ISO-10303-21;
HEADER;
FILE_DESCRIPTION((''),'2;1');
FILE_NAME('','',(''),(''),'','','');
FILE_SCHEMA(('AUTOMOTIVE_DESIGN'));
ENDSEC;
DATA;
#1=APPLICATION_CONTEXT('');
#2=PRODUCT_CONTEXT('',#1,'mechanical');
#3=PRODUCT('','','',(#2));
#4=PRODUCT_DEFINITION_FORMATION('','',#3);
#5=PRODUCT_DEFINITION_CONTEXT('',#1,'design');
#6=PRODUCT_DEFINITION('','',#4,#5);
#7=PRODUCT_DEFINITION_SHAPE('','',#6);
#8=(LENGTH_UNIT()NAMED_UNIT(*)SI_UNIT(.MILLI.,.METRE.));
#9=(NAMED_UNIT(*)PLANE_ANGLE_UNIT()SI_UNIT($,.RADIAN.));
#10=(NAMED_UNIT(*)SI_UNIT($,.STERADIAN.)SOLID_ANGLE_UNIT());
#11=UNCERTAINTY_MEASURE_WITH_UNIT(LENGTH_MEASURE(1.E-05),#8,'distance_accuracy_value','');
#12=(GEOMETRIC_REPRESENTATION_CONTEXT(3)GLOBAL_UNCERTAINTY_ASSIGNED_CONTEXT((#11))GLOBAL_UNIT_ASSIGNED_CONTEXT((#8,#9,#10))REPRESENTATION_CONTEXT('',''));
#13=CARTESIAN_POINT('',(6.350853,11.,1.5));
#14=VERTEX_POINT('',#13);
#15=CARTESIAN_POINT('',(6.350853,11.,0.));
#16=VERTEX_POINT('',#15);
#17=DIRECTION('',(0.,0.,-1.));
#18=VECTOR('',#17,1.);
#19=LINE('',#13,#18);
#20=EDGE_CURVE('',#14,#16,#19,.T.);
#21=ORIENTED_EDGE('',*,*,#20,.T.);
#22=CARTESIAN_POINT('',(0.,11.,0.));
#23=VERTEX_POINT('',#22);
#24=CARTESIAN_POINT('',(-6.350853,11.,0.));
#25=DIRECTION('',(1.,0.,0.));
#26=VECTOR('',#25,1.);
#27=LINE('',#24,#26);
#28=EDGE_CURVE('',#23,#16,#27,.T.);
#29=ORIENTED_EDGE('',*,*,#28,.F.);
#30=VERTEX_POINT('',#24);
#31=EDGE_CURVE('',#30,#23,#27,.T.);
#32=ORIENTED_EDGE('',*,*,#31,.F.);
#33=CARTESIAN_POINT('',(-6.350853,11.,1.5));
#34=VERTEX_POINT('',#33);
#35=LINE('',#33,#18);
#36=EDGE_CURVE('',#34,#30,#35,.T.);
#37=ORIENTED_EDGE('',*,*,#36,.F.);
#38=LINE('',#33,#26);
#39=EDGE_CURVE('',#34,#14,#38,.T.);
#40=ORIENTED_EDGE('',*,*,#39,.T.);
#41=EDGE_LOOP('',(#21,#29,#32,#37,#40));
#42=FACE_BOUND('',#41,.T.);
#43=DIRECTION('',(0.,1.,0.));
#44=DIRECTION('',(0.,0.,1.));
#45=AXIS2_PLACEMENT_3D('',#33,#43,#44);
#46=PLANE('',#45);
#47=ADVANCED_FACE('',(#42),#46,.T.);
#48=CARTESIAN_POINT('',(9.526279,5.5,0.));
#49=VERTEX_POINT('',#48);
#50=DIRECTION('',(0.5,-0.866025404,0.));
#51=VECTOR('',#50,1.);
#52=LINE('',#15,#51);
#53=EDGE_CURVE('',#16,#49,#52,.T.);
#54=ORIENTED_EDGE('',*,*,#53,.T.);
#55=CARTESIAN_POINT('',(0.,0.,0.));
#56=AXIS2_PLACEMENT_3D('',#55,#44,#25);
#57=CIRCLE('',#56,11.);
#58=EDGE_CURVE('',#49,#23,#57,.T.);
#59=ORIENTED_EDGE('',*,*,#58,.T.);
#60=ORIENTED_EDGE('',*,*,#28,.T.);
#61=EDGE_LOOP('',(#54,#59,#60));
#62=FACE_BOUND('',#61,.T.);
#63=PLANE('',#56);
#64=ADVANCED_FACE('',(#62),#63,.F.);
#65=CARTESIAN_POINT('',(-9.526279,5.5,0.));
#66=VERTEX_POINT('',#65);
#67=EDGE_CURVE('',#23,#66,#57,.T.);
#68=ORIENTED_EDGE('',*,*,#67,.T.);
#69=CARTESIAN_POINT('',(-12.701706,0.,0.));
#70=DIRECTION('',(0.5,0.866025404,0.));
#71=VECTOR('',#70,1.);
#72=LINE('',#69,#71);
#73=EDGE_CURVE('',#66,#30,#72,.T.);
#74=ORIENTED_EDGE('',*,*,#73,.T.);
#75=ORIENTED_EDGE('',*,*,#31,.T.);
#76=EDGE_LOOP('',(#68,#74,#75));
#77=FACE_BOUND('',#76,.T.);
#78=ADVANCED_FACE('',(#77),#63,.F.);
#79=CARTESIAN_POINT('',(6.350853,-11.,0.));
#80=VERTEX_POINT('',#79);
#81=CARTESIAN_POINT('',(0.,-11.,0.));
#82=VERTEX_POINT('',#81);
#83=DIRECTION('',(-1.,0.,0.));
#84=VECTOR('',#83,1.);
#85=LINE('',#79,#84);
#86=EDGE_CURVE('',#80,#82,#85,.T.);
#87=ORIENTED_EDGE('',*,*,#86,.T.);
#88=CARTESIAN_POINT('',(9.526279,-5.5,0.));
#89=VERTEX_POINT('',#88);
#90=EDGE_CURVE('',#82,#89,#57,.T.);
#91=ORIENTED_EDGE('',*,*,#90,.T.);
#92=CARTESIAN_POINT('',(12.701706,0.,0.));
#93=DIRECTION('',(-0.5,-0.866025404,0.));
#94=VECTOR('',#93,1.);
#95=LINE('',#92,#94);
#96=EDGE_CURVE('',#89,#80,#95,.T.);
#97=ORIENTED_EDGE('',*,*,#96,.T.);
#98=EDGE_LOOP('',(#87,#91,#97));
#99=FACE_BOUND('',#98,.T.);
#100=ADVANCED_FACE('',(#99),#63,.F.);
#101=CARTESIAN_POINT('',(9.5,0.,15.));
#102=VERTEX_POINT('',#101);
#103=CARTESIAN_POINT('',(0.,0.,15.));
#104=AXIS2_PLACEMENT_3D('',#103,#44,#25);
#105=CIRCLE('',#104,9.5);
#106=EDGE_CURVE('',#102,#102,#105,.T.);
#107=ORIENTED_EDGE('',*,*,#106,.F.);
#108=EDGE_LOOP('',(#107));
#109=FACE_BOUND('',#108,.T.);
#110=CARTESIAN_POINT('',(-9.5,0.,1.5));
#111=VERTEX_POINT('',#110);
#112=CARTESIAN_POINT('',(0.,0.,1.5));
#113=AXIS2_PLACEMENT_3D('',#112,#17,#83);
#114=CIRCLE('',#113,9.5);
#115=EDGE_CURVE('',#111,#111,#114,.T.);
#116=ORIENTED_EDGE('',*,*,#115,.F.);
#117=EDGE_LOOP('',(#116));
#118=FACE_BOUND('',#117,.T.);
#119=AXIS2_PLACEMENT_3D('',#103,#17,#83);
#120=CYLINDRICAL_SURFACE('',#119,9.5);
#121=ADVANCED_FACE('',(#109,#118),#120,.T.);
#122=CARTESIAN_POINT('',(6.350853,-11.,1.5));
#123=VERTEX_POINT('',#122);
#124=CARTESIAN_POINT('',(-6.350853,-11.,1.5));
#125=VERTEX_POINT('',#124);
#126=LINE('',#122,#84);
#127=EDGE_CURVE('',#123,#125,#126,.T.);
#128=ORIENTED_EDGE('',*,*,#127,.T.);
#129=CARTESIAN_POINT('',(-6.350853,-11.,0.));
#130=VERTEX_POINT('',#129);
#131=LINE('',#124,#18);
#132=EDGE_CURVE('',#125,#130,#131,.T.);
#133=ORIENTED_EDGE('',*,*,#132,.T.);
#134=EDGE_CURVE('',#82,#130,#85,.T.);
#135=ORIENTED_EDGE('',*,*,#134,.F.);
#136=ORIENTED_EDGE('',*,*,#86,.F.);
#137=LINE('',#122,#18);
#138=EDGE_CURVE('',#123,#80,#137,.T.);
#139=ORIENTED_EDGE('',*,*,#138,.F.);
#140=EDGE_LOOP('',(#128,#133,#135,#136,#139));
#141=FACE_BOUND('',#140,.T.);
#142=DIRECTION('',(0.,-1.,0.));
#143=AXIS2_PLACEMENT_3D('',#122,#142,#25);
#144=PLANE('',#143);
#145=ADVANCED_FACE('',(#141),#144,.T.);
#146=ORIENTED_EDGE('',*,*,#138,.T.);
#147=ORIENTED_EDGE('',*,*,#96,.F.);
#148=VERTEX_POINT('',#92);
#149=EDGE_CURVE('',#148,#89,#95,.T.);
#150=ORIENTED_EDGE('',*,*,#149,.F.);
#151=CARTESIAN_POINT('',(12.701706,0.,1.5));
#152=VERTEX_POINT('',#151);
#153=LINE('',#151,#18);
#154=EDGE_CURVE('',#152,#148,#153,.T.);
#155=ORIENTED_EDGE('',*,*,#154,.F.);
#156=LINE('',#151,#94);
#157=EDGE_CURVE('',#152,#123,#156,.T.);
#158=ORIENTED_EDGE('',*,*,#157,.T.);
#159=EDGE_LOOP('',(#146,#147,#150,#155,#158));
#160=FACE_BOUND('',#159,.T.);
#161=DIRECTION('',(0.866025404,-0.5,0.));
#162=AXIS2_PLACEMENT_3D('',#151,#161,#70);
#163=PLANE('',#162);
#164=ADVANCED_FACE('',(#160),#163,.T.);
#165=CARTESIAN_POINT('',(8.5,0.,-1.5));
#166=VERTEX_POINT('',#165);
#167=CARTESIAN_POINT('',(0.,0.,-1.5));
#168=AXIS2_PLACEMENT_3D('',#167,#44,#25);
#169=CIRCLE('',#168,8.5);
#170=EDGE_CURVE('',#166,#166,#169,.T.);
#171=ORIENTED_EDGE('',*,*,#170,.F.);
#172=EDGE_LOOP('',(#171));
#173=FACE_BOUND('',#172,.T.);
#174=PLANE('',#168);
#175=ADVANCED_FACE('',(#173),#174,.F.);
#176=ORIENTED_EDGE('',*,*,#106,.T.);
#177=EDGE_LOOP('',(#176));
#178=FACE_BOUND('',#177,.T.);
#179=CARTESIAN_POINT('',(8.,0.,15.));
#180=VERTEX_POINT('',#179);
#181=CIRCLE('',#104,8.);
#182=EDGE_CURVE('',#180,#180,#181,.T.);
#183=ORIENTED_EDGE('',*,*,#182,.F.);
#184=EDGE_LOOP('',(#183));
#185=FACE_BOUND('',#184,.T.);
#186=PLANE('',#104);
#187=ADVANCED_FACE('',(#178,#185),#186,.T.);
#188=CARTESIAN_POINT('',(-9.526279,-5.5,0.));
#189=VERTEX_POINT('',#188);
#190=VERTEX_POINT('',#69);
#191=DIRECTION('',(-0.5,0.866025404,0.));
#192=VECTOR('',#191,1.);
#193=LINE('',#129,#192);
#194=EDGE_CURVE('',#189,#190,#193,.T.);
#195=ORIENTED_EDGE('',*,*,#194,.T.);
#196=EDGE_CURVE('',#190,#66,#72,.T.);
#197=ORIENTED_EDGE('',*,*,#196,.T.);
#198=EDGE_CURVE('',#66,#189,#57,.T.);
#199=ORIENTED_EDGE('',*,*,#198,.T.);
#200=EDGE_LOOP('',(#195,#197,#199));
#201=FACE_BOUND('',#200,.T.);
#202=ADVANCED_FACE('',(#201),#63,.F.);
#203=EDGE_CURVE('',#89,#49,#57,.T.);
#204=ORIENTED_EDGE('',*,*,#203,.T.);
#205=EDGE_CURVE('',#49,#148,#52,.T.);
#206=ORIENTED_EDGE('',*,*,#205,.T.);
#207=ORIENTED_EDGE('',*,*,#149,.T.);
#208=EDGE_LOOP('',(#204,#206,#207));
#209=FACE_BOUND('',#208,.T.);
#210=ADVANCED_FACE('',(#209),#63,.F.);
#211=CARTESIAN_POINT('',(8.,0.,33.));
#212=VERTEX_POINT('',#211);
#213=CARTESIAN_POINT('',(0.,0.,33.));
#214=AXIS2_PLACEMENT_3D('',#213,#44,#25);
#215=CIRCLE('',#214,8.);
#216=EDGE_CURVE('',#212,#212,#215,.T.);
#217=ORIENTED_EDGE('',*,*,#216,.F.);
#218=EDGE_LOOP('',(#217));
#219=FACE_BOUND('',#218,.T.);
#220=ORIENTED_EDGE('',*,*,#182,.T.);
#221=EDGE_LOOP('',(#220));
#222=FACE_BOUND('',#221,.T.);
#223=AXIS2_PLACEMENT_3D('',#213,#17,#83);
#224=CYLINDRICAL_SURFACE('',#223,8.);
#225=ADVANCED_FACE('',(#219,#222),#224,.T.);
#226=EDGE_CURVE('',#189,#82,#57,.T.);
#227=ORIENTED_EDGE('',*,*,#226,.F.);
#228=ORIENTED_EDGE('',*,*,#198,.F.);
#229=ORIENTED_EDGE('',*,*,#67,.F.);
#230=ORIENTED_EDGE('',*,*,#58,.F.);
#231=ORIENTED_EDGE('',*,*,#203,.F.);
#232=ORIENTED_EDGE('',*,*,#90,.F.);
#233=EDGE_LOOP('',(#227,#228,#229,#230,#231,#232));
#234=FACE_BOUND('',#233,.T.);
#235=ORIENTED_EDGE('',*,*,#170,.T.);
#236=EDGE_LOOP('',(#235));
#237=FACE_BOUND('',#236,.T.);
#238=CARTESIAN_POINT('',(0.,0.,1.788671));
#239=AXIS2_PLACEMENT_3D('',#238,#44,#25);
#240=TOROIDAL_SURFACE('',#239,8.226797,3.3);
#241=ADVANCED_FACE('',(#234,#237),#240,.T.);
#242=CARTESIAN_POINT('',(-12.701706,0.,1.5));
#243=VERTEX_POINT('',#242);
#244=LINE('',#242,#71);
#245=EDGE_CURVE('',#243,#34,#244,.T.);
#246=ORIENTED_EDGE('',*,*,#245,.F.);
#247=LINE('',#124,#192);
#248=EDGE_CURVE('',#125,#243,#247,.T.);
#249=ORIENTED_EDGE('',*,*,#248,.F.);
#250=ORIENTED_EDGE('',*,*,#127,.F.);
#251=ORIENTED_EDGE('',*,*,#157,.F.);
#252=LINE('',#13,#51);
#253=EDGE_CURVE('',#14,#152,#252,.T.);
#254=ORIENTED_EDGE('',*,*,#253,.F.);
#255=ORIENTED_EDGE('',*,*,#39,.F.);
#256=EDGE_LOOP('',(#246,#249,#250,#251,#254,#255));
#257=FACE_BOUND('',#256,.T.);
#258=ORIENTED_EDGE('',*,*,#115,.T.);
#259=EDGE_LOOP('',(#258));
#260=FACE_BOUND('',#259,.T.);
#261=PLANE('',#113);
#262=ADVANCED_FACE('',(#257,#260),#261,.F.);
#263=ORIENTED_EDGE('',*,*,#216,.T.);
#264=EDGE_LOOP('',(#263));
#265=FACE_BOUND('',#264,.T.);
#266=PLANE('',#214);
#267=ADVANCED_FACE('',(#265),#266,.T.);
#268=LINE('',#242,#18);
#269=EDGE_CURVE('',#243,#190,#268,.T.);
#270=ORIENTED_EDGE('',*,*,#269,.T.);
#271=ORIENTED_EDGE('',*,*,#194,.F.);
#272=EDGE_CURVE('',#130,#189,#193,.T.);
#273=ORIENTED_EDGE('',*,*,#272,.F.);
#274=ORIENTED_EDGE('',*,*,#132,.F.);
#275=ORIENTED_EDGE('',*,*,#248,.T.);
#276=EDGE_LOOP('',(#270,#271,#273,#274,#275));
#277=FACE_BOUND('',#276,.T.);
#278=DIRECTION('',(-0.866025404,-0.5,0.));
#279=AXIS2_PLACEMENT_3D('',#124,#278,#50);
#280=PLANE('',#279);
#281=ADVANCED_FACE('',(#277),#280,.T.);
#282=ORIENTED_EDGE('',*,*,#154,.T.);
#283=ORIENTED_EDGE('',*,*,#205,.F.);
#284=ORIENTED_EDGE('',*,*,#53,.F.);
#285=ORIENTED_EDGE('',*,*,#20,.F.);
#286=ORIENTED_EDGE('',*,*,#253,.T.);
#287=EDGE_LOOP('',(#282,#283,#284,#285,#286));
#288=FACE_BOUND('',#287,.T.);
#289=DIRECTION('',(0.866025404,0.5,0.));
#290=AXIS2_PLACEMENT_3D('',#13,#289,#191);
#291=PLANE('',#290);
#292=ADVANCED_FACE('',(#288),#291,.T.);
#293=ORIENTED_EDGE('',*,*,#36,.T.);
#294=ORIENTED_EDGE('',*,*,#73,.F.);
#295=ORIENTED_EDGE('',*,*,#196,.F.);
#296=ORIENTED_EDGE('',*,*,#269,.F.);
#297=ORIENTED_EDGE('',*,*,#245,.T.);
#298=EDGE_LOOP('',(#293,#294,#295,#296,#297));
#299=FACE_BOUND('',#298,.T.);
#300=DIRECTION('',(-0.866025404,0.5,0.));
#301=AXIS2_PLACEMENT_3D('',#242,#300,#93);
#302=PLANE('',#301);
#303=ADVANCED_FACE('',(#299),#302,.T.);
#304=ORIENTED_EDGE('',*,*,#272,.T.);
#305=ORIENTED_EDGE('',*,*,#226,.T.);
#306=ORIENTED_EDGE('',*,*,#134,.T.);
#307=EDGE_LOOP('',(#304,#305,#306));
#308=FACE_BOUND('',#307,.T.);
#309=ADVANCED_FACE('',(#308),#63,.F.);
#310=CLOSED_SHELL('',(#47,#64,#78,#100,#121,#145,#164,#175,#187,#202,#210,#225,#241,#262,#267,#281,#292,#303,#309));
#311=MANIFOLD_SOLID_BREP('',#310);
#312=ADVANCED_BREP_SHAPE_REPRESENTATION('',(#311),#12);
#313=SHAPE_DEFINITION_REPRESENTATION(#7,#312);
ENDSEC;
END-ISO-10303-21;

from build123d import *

# Parameters (mm, degrees)
SKETCH_1_R      = 9.5
EXTRUDE_1_DEPTH = 15
EXTRUDE_2_DEPTH = 1.5
SKETCH_4_R      = 8
EXTRUDE_3_DEPTH = 18


with BuildPart() as part:
    # 草图1 → 凸台-拉伸1 (new body)
    with BuildSketch(Plane.XY):
        Circle(SKETCH_1_R)
    extrude(amount=EXTRUDE_1_DEPTH)

    # 草图2 → 凸台-拉伸2 (add)
    with BuildSketch(Plane(origin=(0, 0, 0), x_dir=(-1, 0, 0), z_dir=(0, 0, -1))):
        Polygon((6.350852961, 11), (-6.350852961, 11), (-12.701705922, 0), (-6.350852961, -11), (6.350852961, -11), (12.701705922, 0), align=None)
    extrude(amount=-EXTRUDE_2_DEPTH)

    # 草图3 → 旋转1 (revolve)
    with BuildSketch(Plane(origin=(0, 0, 0), x_dir=(1, 0, 0), z_dir=(0, 1, 0))):
        with BuildLine():
            Line((0, 0), (0, 1.5))
            Line((0, 1.5), (-8.5, 1.5))
            ThreePointArc((-8.5, 1.5), (-9.924633098, 1.041055163), (-11, 0))
            Line((-11, 0), (0, 0))
        make_face()
    revolve(axis=Axis((0, 0, 0), (0, 0, -1)))

    # 草图4 → 凸台-拉伸3 (add)
    with BuildSketch(Plane.XY.offset(15)):
        Circle(SKETCH_4_R)
    extrude(amount=EXTRUDE_3_DEPTH)


solid = part.part
